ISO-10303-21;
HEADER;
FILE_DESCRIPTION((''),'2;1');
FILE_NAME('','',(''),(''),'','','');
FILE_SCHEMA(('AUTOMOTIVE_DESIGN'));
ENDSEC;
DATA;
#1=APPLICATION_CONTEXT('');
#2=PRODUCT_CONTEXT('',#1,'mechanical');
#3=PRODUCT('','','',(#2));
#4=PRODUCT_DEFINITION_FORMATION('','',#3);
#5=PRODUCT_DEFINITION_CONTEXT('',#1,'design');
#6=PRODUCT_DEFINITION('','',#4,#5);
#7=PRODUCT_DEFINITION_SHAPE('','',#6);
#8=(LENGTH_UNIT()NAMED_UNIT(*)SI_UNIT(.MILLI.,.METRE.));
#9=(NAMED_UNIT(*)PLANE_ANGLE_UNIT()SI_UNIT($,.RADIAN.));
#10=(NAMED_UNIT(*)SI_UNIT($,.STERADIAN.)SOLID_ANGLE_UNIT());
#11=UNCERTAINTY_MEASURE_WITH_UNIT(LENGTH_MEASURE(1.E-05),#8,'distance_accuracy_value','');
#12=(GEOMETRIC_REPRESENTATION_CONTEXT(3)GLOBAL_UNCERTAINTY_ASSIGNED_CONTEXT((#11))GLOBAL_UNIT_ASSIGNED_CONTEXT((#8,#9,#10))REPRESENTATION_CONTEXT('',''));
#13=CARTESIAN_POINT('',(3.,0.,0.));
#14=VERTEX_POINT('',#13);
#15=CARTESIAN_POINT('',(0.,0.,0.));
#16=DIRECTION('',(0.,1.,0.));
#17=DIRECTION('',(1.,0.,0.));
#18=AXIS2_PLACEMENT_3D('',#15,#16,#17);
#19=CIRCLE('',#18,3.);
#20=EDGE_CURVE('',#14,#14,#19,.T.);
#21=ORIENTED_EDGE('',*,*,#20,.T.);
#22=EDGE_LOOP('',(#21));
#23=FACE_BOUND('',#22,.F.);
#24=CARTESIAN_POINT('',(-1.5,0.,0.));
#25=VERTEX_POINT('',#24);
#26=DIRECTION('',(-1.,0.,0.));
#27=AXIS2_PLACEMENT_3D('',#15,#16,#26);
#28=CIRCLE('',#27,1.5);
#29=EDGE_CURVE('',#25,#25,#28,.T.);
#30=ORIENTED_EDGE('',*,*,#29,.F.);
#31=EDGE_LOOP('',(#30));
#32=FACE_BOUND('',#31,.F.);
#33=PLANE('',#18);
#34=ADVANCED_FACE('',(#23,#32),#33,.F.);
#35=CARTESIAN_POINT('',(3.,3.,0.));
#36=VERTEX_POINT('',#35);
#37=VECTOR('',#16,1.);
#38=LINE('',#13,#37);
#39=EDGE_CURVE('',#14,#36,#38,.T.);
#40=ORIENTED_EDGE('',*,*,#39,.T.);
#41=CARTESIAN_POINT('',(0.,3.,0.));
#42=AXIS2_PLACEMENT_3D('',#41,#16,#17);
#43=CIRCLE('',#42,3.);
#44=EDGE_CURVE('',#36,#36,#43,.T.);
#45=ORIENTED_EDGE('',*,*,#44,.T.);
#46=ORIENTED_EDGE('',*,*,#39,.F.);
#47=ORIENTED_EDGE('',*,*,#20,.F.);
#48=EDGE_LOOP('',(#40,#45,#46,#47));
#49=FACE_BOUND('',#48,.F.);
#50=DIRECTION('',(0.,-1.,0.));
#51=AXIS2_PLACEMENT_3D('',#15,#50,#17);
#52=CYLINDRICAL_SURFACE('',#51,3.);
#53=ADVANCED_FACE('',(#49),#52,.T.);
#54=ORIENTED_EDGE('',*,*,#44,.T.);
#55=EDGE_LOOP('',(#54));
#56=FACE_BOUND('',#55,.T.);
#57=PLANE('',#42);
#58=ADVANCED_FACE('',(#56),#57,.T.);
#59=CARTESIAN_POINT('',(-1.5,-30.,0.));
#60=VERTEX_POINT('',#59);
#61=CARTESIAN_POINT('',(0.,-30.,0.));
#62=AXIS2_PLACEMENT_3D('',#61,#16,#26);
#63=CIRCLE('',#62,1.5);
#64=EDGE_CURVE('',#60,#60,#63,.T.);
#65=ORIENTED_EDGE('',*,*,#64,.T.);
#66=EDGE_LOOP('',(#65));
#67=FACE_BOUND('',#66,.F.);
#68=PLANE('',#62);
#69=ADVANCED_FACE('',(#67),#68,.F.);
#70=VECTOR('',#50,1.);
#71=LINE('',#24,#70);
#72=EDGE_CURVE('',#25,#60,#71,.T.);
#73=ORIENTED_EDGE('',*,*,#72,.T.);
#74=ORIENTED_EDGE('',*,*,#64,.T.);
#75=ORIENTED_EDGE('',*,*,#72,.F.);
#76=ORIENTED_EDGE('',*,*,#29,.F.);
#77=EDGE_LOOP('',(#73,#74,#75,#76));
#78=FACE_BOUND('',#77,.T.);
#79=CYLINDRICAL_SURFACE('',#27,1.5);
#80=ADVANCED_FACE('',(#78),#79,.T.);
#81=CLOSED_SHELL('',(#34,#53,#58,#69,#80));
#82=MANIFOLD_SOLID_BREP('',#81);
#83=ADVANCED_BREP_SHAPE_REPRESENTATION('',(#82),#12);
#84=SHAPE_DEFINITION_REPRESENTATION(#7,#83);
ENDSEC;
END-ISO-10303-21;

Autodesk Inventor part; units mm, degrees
ref_plane "YZ Plane" through (0, 0, 0) normal (1, 0, 0) x (0, 1, 0)
ref_plane "XZ Plane" through (0, 0, 0) normal (0, 1, 0) x (-1, 0, 0)
ref_plane "XY Plane" through (0, 0, 0) normal (0, 0, 1) x (1, 0, 0)
sketch "Sketch1" plane through (0, 0, 0) normal (0, 1, 0) x (-1, 0, 0)
  circle A0 centre (0, 0) radius 1.5
  dimension "d0" = 3
extrude "Extrusion1" add sketch "Sketch1" against normal blind 30
sketch "Sketch2" plane through (0, 0, 0) normal (0, 1, 0) x (1, 0, 0)
  circle A0 centre (0, 0) radius 1.5 projected
  circle A1 centre (0, 0) radius 3
  dimension "d3" = 6
extrude "Extrusion2" add sketch "Sketch2" along normal blind 3 contours A0 | A1
thread "Thread1" size "M3x0.5" class "6g" standard "ANSI Metric M Profile" full length
properties part number "Tornillo"
